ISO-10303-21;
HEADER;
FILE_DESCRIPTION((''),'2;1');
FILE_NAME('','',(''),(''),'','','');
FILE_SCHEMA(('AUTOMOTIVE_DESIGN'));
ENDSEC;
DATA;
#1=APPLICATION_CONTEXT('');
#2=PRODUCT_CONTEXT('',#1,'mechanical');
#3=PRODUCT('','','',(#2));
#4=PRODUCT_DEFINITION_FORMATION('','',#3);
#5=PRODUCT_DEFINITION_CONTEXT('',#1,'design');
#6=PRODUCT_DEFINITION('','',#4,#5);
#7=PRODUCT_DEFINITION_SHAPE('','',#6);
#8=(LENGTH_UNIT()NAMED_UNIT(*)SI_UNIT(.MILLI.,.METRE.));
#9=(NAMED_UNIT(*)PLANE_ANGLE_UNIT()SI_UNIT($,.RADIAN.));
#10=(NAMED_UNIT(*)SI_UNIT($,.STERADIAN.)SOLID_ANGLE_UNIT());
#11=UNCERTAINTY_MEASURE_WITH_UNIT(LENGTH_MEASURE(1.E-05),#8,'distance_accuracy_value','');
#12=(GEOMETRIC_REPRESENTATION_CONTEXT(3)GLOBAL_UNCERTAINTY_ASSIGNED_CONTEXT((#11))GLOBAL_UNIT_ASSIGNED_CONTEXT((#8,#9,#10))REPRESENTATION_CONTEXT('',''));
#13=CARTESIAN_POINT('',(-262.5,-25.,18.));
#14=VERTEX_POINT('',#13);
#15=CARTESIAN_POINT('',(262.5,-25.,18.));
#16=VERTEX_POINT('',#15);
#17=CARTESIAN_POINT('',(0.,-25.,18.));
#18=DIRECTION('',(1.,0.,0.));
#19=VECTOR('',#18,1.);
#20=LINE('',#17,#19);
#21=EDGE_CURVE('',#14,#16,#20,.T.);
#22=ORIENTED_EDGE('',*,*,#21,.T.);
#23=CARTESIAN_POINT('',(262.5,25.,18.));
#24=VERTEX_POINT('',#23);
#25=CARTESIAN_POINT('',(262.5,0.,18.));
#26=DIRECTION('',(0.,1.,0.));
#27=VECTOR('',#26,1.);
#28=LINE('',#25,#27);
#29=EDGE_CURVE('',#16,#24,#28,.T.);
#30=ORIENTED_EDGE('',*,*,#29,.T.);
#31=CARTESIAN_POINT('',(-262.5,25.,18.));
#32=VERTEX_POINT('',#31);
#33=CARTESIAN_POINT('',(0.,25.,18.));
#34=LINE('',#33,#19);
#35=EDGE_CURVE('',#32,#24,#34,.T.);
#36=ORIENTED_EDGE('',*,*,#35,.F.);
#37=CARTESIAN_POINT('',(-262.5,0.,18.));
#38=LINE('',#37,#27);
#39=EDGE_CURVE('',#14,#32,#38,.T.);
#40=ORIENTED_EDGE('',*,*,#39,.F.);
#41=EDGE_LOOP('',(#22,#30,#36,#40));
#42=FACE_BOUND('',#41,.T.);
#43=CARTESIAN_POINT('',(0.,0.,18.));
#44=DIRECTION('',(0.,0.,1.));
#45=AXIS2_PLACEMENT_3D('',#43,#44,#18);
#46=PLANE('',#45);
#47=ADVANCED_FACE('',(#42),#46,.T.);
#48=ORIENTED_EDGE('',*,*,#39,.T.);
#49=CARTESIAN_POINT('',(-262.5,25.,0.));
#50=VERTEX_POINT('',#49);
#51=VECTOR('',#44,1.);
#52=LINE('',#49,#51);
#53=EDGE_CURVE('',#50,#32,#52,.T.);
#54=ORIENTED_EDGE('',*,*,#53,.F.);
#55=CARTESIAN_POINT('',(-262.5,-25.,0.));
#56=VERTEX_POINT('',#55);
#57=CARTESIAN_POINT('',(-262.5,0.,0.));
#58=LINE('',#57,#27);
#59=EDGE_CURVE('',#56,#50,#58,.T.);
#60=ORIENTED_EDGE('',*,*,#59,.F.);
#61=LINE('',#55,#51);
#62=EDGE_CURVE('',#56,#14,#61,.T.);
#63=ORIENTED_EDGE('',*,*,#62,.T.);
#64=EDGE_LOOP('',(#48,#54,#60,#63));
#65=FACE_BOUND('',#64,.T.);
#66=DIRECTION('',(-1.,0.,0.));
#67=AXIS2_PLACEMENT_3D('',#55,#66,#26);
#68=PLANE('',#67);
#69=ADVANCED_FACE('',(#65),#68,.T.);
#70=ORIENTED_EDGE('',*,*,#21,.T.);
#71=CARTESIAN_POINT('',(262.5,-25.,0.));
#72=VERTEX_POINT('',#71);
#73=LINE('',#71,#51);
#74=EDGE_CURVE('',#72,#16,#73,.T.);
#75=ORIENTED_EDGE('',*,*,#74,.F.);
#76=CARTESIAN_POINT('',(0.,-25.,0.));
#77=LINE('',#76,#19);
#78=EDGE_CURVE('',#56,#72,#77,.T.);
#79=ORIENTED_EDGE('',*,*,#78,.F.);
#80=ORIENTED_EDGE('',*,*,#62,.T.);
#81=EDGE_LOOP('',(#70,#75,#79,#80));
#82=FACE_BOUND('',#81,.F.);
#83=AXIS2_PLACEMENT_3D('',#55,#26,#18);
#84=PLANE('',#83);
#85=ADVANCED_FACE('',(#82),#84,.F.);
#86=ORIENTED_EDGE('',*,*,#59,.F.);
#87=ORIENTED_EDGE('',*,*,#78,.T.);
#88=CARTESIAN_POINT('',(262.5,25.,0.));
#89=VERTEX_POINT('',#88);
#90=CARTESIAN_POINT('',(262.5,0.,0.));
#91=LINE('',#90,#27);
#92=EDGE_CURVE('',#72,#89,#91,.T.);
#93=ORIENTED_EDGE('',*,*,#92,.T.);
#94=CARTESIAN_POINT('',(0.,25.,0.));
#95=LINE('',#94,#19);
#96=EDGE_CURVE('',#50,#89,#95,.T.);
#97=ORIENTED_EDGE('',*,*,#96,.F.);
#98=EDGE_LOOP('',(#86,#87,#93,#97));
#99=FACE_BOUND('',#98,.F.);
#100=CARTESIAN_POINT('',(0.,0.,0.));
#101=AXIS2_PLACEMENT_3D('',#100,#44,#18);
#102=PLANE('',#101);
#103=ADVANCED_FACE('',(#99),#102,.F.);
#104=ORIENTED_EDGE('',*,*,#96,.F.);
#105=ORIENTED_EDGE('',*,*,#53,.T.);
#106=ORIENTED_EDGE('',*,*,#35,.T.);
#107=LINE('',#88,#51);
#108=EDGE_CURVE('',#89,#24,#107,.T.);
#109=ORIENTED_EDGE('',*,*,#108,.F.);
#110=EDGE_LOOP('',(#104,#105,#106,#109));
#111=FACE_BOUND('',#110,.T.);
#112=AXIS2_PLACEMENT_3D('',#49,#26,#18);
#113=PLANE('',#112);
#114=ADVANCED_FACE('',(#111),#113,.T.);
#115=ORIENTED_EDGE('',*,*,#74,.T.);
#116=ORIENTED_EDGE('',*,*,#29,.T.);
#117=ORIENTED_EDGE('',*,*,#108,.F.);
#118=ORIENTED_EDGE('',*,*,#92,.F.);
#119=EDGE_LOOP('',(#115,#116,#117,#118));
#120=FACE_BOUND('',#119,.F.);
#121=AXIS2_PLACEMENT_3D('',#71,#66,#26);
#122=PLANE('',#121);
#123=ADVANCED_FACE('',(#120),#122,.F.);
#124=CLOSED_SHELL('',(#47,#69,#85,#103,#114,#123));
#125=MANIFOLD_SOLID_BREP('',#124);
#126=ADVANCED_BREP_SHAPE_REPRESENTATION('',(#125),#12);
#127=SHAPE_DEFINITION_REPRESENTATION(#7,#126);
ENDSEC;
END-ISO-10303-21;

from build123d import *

# Parameters (mm, degrees)
SKETCH_W  = 525
SKETCH_H  = 50
PAD_DEPTH = 18


with BuildPart() as part:
    # Sketch → Pad (new body)
    with BuildSketch(Plane.XY):
        Rectangle(SKETCH_W, SKETCH_H)
    extrude(amount=PAD_DEPTH)


solid = part.part
